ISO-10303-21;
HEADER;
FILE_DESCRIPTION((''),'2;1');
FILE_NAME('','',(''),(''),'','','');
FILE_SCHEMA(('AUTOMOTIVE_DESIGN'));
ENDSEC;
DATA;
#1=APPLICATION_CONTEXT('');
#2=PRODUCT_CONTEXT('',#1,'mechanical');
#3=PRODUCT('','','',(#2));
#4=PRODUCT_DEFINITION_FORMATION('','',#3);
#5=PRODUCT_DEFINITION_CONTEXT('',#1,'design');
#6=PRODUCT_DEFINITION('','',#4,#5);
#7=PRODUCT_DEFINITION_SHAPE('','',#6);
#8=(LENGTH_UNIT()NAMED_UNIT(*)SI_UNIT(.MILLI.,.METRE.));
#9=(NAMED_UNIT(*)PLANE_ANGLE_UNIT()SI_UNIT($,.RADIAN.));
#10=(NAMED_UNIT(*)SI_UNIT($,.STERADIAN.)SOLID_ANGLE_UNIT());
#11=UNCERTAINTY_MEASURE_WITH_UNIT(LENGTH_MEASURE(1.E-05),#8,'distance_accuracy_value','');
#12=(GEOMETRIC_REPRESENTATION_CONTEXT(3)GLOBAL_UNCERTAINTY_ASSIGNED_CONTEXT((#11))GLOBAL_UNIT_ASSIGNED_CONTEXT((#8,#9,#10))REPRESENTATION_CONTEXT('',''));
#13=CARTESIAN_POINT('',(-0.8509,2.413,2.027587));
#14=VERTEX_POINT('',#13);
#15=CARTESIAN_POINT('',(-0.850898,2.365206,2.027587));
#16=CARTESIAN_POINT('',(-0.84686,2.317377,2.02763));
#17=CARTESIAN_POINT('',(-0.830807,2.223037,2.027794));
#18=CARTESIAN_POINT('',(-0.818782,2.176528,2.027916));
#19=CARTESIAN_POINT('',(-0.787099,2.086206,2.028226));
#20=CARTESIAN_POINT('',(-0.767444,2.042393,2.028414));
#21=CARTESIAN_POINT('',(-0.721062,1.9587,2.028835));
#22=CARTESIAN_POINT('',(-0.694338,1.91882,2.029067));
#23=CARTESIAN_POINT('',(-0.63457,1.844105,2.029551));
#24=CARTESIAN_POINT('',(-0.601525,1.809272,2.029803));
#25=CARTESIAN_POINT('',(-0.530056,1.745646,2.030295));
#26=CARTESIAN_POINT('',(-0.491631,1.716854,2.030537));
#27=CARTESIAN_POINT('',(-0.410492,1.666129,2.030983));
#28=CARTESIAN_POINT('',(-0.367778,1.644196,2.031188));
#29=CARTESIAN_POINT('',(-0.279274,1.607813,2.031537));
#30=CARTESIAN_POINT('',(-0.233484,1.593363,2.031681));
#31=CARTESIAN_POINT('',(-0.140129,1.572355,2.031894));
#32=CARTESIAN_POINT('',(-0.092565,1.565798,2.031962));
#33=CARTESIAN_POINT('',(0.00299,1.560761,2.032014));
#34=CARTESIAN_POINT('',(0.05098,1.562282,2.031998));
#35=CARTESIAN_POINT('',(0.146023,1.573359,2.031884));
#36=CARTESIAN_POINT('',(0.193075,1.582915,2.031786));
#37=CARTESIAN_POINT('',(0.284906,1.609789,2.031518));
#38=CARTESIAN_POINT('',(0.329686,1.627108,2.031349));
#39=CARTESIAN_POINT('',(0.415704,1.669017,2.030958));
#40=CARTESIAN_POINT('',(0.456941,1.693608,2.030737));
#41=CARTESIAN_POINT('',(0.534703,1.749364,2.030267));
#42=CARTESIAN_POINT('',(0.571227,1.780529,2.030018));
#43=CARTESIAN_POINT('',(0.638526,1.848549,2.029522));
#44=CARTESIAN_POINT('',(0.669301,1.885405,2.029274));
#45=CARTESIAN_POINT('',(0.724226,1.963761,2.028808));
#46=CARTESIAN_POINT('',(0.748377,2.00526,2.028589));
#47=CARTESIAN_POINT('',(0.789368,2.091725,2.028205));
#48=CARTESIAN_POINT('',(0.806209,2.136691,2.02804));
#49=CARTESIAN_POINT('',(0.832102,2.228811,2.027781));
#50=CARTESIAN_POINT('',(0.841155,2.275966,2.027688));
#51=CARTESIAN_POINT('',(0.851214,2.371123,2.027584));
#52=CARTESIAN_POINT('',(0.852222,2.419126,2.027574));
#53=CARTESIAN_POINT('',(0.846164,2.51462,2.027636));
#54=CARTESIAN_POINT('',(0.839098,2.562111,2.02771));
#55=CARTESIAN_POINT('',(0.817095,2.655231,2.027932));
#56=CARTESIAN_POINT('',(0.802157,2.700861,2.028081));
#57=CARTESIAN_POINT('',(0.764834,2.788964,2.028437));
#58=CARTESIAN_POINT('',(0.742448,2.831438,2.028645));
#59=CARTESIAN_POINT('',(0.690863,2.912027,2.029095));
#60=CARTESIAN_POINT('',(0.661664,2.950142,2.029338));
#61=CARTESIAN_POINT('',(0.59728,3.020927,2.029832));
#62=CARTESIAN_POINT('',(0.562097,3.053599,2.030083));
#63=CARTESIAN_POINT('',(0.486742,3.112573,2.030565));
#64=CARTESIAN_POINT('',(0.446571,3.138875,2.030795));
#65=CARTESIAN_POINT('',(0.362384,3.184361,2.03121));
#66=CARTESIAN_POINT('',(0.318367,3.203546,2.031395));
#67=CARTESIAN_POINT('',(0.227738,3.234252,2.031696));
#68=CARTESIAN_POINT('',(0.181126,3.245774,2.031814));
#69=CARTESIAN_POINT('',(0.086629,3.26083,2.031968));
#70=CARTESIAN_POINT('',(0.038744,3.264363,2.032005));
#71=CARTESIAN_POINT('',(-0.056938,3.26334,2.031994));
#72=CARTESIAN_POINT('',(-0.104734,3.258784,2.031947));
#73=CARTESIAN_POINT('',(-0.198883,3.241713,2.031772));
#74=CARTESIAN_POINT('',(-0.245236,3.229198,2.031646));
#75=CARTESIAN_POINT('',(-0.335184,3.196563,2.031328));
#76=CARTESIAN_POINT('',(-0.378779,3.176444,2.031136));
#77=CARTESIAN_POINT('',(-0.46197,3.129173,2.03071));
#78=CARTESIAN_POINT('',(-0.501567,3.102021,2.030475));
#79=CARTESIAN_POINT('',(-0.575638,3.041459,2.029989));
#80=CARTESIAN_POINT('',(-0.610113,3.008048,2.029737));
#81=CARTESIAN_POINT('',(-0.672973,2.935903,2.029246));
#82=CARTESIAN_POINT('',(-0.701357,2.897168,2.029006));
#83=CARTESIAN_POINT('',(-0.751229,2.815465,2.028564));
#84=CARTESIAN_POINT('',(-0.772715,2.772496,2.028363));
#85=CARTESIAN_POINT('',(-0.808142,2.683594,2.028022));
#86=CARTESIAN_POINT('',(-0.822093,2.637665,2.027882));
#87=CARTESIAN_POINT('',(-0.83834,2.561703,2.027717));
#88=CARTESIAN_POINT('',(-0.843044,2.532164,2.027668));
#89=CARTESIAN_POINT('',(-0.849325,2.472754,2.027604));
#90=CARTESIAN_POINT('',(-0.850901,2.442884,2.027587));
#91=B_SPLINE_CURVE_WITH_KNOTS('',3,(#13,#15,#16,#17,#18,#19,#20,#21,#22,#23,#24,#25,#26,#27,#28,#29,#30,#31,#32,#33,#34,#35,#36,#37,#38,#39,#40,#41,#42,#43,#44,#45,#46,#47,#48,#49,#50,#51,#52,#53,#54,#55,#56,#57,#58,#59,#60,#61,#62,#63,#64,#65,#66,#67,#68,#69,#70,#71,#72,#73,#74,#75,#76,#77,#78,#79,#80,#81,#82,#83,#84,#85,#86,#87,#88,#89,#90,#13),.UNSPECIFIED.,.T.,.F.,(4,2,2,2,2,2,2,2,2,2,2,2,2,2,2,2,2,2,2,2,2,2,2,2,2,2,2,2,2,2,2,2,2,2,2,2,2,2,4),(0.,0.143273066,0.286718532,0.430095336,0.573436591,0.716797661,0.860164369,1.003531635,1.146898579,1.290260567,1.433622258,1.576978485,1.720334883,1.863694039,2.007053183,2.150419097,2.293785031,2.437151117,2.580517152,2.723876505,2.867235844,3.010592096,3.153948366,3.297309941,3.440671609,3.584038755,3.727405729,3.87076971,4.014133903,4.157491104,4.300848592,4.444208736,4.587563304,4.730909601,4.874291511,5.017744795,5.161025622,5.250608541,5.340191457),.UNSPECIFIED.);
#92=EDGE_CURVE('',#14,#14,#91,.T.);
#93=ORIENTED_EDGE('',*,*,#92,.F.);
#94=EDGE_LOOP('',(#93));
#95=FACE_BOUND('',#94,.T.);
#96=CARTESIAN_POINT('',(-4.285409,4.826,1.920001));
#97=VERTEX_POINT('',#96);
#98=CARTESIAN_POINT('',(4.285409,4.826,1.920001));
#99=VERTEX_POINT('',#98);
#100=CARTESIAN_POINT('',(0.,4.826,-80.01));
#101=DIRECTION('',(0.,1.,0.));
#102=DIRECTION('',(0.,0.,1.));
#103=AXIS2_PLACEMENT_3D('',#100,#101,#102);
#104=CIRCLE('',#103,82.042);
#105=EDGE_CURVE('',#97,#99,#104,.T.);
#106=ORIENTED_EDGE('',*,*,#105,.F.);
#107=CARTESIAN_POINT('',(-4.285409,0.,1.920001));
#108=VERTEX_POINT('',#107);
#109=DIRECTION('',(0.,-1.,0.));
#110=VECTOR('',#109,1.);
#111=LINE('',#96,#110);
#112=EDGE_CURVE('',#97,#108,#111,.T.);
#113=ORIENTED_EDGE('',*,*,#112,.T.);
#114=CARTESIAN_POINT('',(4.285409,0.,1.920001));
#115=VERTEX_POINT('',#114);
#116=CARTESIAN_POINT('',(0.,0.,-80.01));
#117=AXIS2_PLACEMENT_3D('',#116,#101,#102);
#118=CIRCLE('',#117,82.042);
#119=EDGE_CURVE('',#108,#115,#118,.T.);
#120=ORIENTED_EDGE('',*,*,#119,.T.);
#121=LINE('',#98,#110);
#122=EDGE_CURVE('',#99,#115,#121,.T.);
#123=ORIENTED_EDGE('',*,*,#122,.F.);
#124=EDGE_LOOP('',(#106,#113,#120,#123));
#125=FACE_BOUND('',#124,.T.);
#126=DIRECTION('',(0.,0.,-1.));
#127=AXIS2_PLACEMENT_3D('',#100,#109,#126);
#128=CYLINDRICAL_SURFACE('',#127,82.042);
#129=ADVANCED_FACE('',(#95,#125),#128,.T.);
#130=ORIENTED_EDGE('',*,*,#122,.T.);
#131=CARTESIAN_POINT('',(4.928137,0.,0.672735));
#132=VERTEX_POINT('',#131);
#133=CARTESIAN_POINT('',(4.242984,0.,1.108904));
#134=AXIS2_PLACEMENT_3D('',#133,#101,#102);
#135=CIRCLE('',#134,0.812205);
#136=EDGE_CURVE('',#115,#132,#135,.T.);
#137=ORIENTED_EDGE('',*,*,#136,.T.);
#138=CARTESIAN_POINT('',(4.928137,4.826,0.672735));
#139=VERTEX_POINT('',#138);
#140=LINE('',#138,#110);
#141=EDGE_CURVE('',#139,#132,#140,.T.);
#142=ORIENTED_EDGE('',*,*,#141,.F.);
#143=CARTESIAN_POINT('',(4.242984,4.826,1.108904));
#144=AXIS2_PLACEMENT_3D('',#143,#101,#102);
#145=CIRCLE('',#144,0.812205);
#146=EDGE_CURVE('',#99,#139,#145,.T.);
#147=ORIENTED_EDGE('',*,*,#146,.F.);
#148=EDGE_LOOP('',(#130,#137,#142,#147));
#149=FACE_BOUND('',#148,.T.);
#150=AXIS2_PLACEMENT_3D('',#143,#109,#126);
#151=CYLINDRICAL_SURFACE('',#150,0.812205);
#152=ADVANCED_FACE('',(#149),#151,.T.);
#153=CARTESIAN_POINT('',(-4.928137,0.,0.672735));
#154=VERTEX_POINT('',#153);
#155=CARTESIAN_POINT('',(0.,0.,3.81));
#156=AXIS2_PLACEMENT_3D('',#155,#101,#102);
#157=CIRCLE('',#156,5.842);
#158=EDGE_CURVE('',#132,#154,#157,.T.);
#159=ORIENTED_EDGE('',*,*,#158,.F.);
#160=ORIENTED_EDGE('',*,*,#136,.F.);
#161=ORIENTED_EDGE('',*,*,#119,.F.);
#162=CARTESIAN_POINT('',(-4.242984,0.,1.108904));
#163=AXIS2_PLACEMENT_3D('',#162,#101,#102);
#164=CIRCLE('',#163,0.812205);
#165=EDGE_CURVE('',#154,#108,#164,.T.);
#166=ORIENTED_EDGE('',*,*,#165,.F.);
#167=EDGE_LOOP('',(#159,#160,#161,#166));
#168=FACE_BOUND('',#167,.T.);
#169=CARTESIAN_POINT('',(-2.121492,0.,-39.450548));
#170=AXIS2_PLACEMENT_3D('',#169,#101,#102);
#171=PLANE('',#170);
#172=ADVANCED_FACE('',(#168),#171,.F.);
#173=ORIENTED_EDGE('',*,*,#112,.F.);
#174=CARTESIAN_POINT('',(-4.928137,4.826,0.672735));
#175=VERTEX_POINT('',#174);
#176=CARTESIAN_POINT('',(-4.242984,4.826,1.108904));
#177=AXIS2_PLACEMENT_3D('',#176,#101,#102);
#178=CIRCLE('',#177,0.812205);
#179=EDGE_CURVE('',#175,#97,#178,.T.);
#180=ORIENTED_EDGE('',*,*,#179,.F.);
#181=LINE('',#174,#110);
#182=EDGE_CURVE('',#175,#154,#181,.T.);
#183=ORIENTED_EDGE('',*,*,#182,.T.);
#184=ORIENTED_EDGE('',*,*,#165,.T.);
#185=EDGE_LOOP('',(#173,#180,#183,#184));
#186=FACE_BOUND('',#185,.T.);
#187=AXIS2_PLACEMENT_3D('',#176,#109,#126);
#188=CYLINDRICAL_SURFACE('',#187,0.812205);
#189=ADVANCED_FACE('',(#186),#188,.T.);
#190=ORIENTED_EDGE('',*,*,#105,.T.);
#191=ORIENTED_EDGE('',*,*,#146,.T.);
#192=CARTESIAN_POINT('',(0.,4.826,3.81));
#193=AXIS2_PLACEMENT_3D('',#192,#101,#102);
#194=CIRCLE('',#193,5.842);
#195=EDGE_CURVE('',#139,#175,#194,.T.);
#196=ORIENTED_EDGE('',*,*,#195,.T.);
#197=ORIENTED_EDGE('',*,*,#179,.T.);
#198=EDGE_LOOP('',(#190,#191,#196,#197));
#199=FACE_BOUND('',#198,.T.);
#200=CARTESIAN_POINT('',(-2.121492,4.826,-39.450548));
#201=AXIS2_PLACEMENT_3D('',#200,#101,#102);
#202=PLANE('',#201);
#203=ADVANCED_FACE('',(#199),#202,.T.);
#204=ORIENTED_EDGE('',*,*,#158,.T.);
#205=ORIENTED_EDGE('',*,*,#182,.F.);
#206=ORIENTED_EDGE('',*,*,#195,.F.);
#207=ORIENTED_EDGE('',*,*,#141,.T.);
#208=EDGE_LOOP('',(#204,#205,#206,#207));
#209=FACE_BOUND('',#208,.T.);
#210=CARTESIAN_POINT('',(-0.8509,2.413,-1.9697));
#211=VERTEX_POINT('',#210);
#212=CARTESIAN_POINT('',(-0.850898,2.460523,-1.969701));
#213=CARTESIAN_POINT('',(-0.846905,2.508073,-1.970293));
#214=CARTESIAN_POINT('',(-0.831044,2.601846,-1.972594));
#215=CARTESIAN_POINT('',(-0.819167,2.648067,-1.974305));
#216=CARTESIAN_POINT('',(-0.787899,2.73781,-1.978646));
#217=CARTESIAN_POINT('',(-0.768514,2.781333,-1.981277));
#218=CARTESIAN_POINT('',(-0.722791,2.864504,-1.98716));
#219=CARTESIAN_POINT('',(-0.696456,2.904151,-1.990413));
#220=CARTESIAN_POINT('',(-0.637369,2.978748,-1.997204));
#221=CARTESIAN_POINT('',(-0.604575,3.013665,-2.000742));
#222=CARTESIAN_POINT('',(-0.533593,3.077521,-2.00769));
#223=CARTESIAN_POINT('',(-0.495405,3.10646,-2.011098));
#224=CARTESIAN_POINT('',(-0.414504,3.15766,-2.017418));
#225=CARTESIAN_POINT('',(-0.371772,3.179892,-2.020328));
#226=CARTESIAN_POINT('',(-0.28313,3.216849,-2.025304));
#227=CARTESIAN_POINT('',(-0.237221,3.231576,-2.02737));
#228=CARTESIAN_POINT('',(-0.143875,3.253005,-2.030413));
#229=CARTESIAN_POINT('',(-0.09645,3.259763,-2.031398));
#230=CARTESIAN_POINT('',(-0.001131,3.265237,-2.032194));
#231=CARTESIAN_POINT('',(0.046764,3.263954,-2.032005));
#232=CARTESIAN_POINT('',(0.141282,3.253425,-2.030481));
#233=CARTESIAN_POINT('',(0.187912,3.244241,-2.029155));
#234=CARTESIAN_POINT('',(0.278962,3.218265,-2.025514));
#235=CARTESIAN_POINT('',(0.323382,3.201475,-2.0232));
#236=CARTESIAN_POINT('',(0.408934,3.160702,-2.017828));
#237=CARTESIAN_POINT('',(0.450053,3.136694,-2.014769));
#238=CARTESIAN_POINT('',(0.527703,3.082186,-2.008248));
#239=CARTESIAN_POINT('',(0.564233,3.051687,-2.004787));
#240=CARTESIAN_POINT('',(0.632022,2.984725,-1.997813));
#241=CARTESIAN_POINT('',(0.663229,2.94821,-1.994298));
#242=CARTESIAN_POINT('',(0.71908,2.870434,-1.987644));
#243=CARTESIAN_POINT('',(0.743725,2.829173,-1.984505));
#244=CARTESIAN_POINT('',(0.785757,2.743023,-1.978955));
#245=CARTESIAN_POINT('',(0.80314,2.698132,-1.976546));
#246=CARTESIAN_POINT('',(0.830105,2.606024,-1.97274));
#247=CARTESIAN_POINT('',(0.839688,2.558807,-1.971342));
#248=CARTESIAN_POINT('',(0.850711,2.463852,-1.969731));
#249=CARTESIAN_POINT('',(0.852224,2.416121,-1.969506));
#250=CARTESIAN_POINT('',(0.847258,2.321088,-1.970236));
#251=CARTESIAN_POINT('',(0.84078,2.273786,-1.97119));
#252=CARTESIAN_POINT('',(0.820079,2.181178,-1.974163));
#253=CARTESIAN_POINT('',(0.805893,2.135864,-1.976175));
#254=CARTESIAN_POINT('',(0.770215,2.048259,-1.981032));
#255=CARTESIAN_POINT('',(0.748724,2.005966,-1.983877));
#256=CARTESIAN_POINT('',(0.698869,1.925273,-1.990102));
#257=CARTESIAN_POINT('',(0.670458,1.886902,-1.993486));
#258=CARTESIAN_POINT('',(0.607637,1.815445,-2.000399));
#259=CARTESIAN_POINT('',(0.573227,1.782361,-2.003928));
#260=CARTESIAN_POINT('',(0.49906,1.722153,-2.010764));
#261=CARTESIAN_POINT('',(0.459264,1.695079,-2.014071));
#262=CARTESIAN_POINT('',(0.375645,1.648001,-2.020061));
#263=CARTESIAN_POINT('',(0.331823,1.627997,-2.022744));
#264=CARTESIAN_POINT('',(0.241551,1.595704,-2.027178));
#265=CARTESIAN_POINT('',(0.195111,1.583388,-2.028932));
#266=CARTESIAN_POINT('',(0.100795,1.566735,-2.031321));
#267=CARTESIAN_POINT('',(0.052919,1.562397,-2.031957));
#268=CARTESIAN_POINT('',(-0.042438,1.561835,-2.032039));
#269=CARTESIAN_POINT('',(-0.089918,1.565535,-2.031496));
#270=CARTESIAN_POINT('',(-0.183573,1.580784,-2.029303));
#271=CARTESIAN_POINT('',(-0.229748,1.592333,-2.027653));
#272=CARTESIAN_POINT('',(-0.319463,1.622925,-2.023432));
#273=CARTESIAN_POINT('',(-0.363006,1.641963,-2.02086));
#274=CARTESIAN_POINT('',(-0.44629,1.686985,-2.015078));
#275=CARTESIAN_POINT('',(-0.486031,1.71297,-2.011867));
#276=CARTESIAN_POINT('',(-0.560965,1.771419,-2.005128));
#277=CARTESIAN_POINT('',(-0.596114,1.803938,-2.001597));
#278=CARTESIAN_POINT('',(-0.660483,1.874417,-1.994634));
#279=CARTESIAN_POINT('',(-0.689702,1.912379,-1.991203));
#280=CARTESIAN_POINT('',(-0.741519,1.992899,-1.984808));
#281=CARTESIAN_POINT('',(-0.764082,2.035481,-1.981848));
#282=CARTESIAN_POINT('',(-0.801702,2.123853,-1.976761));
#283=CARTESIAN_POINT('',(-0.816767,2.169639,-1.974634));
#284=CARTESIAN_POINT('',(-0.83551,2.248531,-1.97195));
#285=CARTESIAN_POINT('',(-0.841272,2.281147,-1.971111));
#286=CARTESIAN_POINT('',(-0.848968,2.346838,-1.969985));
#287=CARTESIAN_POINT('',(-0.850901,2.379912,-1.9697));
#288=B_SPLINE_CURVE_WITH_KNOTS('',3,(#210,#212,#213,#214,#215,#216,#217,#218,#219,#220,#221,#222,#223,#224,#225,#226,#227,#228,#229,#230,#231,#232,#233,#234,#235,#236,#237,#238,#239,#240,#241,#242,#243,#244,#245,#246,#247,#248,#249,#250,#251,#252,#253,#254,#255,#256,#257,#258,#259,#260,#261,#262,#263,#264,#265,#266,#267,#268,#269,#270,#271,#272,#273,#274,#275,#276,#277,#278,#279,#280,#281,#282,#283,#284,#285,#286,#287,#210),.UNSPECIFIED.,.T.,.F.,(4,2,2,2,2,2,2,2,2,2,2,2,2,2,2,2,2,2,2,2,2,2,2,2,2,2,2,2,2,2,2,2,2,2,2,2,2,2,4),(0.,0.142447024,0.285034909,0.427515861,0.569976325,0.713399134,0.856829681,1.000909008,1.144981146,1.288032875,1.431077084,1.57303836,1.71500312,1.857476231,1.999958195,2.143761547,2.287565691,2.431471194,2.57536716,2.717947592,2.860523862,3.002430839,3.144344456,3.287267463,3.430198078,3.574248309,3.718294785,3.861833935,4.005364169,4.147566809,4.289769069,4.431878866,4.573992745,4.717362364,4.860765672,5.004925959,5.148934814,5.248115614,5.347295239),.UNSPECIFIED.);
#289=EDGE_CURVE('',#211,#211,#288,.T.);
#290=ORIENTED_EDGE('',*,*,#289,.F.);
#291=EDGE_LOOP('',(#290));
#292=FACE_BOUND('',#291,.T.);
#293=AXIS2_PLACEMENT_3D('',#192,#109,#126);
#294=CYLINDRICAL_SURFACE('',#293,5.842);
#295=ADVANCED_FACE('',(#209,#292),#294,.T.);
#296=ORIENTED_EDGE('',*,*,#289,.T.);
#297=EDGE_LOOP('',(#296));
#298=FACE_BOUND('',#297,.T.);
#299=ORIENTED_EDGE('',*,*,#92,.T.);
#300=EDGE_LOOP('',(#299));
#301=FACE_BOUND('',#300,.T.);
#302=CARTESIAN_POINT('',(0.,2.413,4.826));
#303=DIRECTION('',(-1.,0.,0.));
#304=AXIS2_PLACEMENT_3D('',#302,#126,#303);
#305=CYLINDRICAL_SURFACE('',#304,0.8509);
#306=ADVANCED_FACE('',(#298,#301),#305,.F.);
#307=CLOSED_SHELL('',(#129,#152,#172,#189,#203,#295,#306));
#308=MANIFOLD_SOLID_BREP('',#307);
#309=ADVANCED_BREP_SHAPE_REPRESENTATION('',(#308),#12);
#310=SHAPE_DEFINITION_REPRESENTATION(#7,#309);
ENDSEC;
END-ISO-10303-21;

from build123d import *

# Parameters (mm, degrees)
BOSS_EXTRUDE1_DEPTH     = 4.826
CUT_EXTRUDE1_DEPTH      = 4.826
CUT_EXTRUDE1_DEPTH_BACK = 4.826
SKETCH2_R               = 0.8509


with BuildPart() as part:
    # Sketch1 → Boss-Extrude1 (new body)
    with BuildSketch(Plane(origin=(0, 0, 0), x_dir=(1, 0, 0), z_dir=(0, 1, 0))):
        with BuildLine():
            ThreePointArc((-4.285409449, -1.920000792), (0, -2.032), (4.285409449, -1.920000792))
            ThreePointArc((4.285409449, -1.920000792), (4.964968073, -1.480948711), (4.928136529, -0.672734574))
            ThreePointArc((4.928136529, -0.672734574), (0, 2.032), (-4.928136529, -0.672734574))
            ThreePointArc((-4.928136529, -0.672734574), (-4.964968073, -1.480948711), (-4.285409449, -1.920000792))
        make_face()
    extrude(amount=BOSS_EXTRUDE1_DEPTH)

    # Sketch2 → Cut-Extrude1 (cut, two sides: drawn at the far end of the back side and taken through both)
    with BuildSketch(Plane.XY.offset(-CUT_EXTRUDE1_DEPTH_BACK)):
        with Locations((0, 2.413)):
            Circle(SKETCH2_R)
    extrude(amount=CUT_EXTRUDE1_DEPTH + CUT_EXTRUDE1_DEPTH_BACK, mode=Mode.SUBTRACT)


solid = part.part
